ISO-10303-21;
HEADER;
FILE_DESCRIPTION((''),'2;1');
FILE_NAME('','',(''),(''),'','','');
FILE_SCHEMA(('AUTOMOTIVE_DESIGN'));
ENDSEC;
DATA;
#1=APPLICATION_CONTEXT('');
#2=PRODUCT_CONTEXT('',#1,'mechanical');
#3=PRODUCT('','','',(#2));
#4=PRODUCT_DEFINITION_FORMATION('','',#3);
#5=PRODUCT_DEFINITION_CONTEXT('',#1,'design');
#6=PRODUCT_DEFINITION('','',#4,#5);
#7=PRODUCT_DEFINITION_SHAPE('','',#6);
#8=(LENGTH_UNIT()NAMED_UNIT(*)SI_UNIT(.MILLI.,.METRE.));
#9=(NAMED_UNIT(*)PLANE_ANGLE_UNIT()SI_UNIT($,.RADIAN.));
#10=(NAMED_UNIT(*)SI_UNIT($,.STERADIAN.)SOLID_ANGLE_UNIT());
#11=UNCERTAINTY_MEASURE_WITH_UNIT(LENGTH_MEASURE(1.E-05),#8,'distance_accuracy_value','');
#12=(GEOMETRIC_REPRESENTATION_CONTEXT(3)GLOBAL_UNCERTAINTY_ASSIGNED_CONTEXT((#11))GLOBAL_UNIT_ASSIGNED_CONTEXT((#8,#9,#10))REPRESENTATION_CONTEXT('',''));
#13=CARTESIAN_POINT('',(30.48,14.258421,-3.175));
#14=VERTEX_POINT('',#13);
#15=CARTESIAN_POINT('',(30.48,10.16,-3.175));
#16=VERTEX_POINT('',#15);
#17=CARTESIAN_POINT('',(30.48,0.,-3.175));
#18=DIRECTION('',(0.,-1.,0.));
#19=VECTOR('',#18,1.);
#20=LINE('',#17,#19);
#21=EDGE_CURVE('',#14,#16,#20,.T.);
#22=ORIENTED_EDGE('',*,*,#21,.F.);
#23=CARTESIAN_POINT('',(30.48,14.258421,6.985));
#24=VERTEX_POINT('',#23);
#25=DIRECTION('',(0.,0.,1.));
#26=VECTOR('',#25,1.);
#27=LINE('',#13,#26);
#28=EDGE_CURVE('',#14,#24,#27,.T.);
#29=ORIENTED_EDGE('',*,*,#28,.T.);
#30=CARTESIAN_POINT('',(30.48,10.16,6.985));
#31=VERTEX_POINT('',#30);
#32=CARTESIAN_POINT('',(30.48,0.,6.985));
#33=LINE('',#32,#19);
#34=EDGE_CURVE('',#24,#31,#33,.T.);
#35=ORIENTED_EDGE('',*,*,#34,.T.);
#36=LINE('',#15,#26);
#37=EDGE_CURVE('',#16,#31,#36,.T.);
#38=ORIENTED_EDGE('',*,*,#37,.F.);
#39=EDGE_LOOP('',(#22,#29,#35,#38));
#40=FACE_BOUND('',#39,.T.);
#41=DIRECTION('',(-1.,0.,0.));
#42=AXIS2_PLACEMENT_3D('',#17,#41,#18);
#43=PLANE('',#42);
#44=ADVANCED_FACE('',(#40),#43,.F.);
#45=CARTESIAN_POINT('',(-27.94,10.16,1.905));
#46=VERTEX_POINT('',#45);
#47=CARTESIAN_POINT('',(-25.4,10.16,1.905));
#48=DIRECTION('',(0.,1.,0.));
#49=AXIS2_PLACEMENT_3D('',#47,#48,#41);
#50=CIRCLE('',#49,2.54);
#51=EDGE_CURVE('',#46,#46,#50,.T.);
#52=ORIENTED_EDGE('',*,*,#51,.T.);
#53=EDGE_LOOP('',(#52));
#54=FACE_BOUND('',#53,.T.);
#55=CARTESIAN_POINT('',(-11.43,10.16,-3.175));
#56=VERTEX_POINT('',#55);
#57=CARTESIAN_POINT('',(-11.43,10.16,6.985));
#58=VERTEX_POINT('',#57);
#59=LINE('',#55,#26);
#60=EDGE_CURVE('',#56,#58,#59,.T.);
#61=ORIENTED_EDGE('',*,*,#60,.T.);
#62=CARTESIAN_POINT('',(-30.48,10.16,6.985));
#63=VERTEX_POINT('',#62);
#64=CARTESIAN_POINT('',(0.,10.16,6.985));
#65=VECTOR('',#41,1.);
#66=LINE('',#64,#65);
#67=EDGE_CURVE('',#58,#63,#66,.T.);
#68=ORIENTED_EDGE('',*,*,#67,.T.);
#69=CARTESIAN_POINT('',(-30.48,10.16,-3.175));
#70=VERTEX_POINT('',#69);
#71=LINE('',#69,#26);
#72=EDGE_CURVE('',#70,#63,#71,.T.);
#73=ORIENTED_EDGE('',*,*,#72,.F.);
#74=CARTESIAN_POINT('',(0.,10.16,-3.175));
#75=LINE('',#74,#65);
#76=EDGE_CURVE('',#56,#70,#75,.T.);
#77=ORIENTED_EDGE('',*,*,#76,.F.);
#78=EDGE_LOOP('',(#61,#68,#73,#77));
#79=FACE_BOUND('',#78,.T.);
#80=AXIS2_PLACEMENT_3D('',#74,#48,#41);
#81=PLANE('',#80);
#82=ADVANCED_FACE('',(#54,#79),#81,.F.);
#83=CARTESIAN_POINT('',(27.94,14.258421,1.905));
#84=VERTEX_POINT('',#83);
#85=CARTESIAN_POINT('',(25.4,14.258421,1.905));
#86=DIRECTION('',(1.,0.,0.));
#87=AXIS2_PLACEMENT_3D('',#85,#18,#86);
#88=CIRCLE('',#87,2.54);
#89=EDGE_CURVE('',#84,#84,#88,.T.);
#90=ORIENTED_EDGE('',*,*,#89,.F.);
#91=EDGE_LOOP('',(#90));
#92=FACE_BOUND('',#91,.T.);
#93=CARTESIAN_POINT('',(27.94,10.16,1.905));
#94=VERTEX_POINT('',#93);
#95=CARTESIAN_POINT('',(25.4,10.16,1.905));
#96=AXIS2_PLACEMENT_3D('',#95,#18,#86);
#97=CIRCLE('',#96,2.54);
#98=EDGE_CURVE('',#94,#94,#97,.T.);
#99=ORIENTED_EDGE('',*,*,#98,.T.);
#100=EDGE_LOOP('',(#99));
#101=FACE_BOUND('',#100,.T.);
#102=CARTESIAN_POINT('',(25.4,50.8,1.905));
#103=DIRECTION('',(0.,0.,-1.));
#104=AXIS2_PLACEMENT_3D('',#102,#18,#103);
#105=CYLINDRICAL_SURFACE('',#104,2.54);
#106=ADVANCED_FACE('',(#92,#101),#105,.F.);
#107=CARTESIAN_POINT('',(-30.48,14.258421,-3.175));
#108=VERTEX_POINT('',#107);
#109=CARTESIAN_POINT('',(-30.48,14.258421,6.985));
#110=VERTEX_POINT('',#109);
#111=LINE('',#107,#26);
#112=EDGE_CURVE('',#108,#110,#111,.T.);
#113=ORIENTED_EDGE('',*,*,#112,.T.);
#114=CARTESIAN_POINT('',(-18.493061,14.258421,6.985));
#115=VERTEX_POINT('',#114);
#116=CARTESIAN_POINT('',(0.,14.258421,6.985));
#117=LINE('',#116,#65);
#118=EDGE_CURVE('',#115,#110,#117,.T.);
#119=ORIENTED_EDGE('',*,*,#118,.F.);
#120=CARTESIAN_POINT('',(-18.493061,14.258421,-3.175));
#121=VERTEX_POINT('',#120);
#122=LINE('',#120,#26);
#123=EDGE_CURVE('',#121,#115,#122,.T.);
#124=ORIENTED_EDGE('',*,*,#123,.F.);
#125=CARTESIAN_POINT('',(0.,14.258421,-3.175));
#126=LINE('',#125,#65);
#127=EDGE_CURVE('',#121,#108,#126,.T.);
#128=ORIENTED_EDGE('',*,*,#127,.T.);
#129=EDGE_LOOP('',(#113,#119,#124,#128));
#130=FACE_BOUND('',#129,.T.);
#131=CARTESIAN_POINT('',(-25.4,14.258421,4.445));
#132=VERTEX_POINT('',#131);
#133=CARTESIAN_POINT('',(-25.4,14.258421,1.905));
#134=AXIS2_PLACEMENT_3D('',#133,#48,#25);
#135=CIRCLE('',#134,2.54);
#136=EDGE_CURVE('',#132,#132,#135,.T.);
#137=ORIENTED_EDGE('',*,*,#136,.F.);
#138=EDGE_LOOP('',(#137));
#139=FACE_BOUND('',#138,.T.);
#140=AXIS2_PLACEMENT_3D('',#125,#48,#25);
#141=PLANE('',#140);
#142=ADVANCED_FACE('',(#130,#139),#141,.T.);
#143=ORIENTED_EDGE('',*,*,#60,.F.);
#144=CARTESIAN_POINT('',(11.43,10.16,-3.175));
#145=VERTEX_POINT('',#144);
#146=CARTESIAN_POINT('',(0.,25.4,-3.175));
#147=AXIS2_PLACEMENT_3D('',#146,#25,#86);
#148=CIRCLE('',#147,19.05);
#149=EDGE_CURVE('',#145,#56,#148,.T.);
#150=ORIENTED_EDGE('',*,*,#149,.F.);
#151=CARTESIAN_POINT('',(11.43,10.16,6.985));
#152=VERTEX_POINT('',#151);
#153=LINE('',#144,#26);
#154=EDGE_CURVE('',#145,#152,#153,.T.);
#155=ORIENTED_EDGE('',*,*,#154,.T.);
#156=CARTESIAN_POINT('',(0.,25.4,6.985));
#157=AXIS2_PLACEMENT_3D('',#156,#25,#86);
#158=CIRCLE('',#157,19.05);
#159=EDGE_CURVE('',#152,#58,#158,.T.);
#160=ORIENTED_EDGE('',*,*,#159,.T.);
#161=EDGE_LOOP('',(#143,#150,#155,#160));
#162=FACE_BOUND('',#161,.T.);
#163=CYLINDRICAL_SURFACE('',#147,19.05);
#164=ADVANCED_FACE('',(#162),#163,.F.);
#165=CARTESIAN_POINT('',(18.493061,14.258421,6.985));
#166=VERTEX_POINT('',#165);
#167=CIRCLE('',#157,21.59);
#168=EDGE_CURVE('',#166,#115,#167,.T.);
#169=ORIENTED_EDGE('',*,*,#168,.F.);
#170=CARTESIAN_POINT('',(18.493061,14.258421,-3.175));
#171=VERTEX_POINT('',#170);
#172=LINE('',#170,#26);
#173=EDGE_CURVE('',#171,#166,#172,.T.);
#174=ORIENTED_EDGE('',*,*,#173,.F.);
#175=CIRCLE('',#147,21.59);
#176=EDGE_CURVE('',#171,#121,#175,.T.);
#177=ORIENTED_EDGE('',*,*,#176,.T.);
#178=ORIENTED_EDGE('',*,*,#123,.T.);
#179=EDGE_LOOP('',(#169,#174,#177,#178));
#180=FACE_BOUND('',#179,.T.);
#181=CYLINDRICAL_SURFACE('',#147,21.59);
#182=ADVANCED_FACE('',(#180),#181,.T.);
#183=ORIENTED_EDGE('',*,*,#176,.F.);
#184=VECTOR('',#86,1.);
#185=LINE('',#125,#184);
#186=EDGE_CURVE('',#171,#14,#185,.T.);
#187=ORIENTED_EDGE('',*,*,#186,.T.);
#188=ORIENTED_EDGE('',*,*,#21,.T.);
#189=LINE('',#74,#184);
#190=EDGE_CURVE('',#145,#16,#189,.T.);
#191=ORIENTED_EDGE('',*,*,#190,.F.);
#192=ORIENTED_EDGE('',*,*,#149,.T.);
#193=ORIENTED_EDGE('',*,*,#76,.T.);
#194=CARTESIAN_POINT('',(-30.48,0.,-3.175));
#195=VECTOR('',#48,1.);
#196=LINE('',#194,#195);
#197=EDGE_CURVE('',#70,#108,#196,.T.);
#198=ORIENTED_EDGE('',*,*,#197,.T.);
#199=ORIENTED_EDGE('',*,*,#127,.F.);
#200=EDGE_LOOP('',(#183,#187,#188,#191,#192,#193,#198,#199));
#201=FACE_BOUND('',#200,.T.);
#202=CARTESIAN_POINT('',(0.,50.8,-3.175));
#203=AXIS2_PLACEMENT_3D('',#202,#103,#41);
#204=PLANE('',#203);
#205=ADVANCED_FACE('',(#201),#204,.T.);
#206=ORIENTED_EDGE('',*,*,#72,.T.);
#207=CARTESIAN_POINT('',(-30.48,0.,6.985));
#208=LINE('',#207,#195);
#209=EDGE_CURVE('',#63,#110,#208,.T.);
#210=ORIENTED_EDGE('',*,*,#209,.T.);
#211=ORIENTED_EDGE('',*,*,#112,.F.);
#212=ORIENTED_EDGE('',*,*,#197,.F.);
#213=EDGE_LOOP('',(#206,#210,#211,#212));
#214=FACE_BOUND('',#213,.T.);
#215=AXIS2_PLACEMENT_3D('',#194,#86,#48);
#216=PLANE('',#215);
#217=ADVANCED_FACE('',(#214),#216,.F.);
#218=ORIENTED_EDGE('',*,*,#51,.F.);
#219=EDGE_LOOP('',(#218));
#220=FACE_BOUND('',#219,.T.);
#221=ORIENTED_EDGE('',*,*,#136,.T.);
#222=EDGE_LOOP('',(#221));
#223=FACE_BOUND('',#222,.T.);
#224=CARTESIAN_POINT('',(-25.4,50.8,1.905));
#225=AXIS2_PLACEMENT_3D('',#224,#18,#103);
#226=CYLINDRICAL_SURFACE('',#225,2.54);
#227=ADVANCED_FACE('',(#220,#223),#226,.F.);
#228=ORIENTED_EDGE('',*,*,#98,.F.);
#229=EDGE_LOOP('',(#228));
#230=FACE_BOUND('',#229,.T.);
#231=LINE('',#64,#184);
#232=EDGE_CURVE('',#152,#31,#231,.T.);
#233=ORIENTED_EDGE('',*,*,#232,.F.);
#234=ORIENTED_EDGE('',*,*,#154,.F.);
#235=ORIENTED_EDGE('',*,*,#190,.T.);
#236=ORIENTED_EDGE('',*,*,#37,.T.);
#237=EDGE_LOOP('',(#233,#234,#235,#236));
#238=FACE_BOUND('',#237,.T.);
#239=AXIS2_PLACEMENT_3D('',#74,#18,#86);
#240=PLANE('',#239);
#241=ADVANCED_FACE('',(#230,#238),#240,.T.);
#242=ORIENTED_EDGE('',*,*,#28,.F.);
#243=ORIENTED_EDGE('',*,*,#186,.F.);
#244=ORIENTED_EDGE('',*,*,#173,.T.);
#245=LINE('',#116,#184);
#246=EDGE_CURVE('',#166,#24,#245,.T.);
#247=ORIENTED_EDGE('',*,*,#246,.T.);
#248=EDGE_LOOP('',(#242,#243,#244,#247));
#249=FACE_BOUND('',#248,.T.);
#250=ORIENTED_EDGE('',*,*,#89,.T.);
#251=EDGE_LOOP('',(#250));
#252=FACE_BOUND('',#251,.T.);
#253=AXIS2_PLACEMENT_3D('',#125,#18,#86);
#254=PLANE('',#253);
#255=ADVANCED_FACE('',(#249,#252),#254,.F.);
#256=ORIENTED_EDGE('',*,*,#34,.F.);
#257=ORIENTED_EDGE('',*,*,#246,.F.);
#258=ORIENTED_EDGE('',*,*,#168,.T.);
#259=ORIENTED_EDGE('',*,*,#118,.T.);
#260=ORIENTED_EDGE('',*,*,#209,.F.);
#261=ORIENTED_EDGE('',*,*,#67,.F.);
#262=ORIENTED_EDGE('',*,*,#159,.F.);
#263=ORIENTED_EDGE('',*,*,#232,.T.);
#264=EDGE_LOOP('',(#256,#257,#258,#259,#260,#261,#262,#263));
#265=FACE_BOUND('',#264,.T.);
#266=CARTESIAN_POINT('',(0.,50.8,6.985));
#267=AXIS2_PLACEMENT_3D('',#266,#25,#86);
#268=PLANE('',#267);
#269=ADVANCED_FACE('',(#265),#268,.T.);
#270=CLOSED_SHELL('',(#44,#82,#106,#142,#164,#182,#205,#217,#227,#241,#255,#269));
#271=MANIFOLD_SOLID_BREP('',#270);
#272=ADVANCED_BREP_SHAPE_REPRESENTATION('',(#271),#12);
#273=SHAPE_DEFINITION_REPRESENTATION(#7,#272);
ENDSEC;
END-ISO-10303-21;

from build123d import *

# Parameters (mm, degrees)
SKETCH1_W           = 38.1
SKETCH1_H           = 10.16
SKETCH1_W_2         = 12.7
SKETCH1_R           = 2.54
BOSS_EXTRUDE1_DEPTH = 50.8
SKETCH2_W           = 63.5
SKETCH2_H           = 50.8
CUT_EXTRUDE1_DEPTH  = 61.761238467


with BuildPart() as part:
    # Sketch1 → Boss-Extrude1 (new body)
    # profile 1 of 3: a face of its own
    with BuildSketch(Plane(origin=(0, 0, 0), x_dir=(1, 0, 0), z_dir=(0, 1, 0))):
        with Locations((0, -1.905)):
            Rectangle(SKETCH1_W, SKETCH1_H)
    # profile 2 of 3: a face of its own
    with BuildSketch(Plane(origin=(0, 0, 0), x_dir=(1, 0, 0), z_dir=(0, 1, 0))):
        with Locations((-25.4, -1.905)):
            Rectangle(SKETCH1_W_2, SKETCH1_H)
        with Locations(Location((-25.4, -1.905, 0), (0, 0, 270))):
            Circle(SKETCH1_R, mode=Mode.SUBTRACT)
    # profile 3 of 3: a face of its own
    with BuildSketch(Plane(origin=(0, 0, 0), x_dir=(1, 0, 0), z_dir=(0, 1, 0))):
        with Locations((25.4, -1.905)):
            Rectangle(SKETCH1_W_2, SKETCH1_H)
        with Locations(Location((25.4, -1.905, 0), (0, 0, 270))):
            Circle(SKETCH1_R, mode=Mode.SUBTRACT)
    extrude(amount=BOSS_EXTRUDE1_DEPTH)

    # Sketch2 → Cut-Extrude1 (cut, through all)
    # profile 1 of 2: a face of its own
    with BuildSketch(Plane.XY.offset(6.985)):
        with Locations((0, 25.4)):
            Rectangle(SKETCH2_W, SKETCH2_H)
        with BuildLine():
            Line((-11.43, 10.16), (-30.48, 10.16))
            Line((-30.48, 10.16), (-30.48, 14.258420741))
            Line((-30.48, 14.258420741), (-18.493061175, 14.258420741))
            ThreePointArc((-18.493061175, 14.258420741), (0, 46.99), (18.493061175, 14.258420741))
            Line((18.493061175, 14.258420741), (30.48, 14.258420741))
            Line((30.48, 14.258420741), (30.48, 10.16))
            Line((30.48, 10.16), (11.43, 10.16))
            ThreePointArc((11.43, 10.16), (0, 44.45), (-11.43, 10.16))
        make_face(mode=Mode.SUBTRACT)
    # profile 2 of 2: a face of its own
    with BuildSketch(Plane.XY.offset(6.985)):
        with Locations((0, 25.4)):
            Rectangle(SKETCH2_W, SKETCH2_H)
        with BuildLine():
            Line((-11.43, 10.16), (-30.48, 10.16))
            Line((-30.48, 10.16), (-30.48, 14.258420741))
            Line((-30.48, 14.258420741), (-18.493061175, 14.258420741))
            ThreePointArc((-18.493061175, 14.258420741), (0, 46.99), (18.493061175, 14.258420741))
            Line((18.493061175, 14.258420741), (30.48, 14.258420741))
            Line((30.48, 14.258420741), (30.48, 10.16))
            Line((30.48, 10.16), (11.43, 10.16))
            ThreePointArc((11.43, 10.16), (0, 44.45), (-11.43, 10.16))
        make_face(mode=Mode.SUBTRACT)
    extrude(amount=-CUT_EXTRUDE1_DEPTH, mode=Mode.SUBTRACT)


solid = part.part
